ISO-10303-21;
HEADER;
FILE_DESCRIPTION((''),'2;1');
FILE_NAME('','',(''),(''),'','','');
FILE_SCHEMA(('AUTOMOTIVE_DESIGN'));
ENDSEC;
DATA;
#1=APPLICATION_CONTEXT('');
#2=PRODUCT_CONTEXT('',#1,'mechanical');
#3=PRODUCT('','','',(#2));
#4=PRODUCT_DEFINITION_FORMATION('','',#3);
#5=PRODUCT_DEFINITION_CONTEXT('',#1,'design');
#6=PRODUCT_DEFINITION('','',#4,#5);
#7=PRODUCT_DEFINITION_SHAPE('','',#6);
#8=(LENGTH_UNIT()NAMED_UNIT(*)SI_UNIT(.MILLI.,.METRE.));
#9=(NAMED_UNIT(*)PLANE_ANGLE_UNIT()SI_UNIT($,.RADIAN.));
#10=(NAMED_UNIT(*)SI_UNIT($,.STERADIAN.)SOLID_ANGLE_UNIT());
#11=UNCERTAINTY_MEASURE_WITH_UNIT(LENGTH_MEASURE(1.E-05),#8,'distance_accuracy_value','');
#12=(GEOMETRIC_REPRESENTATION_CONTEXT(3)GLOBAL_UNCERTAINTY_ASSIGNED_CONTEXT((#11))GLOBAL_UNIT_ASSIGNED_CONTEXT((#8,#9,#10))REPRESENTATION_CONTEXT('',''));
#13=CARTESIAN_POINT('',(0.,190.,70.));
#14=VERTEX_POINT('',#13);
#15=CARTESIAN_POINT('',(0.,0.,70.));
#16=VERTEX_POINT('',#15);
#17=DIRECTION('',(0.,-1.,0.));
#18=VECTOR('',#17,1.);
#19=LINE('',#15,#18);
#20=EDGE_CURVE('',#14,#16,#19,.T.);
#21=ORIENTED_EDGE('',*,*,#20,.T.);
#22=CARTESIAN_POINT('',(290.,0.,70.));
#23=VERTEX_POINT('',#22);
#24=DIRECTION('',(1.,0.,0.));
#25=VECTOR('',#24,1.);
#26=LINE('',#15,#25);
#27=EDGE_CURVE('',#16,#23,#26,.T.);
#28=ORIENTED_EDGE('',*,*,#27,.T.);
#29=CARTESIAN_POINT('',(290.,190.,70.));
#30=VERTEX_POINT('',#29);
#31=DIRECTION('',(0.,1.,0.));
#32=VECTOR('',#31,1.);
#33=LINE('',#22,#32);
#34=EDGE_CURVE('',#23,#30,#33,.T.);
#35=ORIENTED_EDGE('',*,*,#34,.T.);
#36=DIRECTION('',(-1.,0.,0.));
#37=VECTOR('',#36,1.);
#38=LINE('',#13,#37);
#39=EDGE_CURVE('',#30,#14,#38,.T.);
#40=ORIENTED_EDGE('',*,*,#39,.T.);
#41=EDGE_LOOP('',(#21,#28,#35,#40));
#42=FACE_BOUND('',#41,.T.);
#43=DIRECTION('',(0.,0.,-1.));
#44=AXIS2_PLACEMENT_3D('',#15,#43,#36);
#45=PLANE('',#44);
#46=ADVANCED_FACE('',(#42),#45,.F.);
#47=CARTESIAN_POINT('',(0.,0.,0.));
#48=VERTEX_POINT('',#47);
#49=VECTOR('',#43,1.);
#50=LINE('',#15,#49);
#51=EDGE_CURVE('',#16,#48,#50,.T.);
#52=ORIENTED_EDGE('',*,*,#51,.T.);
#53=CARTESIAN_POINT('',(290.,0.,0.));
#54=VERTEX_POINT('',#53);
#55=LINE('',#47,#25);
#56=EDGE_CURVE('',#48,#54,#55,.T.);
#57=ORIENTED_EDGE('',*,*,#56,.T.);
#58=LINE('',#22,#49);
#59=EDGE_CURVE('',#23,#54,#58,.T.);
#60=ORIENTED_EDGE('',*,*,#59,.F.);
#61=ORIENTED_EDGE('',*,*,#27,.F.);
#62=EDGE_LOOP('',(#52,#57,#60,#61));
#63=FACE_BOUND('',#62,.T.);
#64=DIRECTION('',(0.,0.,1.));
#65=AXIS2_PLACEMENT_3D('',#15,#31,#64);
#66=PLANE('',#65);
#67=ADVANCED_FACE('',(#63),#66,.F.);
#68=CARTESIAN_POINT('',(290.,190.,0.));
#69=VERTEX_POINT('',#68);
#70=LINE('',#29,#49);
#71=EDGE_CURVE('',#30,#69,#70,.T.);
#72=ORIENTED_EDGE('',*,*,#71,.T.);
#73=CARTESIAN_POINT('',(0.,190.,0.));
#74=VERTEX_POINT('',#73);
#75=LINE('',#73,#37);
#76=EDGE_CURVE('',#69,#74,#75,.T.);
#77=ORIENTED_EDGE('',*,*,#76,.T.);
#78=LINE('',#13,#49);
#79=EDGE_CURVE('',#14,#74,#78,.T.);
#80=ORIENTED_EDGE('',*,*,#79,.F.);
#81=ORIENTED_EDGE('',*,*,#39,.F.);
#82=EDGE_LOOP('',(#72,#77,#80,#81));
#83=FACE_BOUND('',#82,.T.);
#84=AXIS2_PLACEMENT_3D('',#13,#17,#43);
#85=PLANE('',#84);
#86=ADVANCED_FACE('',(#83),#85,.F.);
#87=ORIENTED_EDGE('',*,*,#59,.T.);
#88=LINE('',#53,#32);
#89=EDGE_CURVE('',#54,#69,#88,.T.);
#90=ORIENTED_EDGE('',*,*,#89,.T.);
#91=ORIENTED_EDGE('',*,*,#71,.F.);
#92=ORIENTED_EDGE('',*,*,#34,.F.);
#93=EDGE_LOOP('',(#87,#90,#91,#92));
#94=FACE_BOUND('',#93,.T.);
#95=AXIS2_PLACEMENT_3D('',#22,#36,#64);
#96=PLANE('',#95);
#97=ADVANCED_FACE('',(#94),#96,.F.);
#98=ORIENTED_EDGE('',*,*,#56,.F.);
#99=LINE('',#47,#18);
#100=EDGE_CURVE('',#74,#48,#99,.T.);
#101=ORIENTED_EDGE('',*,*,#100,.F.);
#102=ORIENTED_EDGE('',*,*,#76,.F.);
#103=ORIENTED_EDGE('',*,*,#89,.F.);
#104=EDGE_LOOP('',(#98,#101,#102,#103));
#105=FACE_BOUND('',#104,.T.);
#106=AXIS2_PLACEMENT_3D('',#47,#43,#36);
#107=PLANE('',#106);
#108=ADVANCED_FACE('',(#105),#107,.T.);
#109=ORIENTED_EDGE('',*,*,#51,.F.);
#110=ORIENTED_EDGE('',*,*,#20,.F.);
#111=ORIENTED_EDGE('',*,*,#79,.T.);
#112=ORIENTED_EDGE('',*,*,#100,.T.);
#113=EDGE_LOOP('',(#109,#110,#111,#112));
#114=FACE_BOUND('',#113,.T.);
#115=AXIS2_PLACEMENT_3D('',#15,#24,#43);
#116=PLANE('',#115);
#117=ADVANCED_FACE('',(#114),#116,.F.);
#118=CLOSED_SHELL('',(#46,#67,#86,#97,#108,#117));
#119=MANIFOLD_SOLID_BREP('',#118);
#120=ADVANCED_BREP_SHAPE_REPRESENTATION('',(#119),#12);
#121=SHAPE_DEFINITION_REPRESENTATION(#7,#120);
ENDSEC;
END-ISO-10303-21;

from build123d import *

# Parameters (mm, degrees)
ESQUISSE1_W        = 290
ESQUISSE1_H        = 190
BOSS_EXTRU_1_DEPTH = 70


with BuildPart() as part:
    # Esquisse1 → Boss.-Extru.1 (new body)
    with BuildSketch(Plane.XY):
        with Locations((145, 95)):
            Rectangle(ESQUISSE1_W, ESQUISSE1_H)
    extrude(amount=BOSS_EXTRU_1_DEPTH)


solid = part.part
